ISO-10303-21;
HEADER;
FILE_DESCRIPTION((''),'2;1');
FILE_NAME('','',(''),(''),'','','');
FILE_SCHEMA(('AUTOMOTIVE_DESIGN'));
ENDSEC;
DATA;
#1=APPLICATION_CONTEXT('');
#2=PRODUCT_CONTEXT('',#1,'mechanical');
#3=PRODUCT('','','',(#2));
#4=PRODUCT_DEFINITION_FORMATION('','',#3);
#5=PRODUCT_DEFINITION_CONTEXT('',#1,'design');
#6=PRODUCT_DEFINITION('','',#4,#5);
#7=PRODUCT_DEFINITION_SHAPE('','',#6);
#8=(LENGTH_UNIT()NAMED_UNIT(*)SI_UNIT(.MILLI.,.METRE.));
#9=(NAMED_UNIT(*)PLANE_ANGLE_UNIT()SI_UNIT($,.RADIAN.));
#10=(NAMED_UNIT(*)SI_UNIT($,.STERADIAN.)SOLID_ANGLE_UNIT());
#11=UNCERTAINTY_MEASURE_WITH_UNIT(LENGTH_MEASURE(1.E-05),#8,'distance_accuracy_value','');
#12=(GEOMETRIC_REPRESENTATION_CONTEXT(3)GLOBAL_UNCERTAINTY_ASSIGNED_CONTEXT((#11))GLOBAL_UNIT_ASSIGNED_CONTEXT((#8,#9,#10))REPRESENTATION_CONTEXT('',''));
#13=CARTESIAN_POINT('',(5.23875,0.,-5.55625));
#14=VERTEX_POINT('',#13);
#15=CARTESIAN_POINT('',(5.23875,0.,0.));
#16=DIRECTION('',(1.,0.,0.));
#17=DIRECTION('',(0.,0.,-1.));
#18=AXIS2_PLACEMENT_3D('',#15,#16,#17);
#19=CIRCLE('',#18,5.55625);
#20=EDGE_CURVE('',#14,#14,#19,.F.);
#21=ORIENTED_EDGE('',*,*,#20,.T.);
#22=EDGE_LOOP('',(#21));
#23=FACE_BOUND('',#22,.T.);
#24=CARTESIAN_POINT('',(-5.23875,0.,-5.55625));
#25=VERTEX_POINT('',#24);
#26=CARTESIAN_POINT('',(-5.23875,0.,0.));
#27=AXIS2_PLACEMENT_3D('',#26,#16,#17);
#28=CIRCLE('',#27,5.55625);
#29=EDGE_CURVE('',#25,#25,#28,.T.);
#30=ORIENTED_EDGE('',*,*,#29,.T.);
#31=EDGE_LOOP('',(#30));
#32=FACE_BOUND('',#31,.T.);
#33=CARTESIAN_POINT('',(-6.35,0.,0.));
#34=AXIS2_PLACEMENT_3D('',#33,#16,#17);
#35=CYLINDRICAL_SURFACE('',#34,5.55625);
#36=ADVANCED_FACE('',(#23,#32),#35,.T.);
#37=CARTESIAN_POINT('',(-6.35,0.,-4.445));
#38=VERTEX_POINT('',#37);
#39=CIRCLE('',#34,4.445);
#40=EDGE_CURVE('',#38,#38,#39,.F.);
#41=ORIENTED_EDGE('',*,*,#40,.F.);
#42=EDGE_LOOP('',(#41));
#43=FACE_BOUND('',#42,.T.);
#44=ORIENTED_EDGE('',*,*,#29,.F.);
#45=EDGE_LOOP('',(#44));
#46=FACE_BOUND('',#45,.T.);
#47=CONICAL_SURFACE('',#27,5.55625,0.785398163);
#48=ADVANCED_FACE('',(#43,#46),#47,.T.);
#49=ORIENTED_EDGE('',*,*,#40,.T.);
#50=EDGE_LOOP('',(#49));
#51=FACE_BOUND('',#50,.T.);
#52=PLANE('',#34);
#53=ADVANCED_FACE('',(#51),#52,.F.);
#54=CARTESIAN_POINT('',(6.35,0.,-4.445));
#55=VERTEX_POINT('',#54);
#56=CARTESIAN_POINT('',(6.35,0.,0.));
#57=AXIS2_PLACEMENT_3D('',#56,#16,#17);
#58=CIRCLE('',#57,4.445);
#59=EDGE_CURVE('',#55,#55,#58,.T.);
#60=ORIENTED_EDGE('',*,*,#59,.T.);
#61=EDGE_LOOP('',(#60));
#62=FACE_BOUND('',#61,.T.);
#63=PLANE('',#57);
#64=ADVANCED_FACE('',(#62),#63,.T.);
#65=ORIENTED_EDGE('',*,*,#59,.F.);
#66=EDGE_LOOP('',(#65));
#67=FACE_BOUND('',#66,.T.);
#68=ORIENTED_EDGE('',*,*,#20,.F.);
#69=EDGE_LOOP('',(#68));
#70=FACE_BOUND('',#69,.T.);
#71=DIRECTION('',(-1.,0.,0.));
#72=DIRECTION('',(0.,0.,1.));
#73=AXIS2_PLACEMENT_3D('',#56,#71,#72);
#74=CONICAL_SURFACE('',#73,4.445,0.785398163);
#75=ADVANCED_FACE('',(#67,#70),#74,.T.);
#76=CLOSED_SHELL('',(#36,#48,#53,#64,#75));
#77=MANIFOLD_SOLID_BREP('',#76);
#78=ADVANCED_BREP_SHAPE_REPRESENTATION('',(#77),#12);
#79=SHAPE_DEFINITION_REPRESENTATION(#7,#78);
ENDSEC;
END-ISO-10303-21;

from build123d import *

# Parameters (mm, degrees)
SKETCH2_R           = 5.55625
EXTRUDE1_DEPTH      = 6.35
EXTRUDE1_DEPTH_BACK = 6.35
CHAMFER1_SIZE       = 1.11125


with BuildPart() as part:
    # Sketch2 → Extrude1 (new body, two sides)
    with BuildSketch(Plane(origin=(0, 0, 0), x_dir=(0, 0, -1), z_dir=(1, 0, 0))) as extrude1_sk:
        Circle(SKETCH2_R)
    extrude(amount=EXTRUDE1_DEPTH)
    extrude(extrude1_sk.sketch, amount=-EXTRUDE1_DEPTH_BACK)

    # Chamfer1
    chamfer1_edges = [part.edges().sort_by_distance(p)[0] for p in [
        (-6.35, 0, 5.55625),
        (6.35, 0, 5.55625),
    ]]
    chamfer(chamfer1_edges, length=CHAMFER1_SIZE)


solid = part.part
